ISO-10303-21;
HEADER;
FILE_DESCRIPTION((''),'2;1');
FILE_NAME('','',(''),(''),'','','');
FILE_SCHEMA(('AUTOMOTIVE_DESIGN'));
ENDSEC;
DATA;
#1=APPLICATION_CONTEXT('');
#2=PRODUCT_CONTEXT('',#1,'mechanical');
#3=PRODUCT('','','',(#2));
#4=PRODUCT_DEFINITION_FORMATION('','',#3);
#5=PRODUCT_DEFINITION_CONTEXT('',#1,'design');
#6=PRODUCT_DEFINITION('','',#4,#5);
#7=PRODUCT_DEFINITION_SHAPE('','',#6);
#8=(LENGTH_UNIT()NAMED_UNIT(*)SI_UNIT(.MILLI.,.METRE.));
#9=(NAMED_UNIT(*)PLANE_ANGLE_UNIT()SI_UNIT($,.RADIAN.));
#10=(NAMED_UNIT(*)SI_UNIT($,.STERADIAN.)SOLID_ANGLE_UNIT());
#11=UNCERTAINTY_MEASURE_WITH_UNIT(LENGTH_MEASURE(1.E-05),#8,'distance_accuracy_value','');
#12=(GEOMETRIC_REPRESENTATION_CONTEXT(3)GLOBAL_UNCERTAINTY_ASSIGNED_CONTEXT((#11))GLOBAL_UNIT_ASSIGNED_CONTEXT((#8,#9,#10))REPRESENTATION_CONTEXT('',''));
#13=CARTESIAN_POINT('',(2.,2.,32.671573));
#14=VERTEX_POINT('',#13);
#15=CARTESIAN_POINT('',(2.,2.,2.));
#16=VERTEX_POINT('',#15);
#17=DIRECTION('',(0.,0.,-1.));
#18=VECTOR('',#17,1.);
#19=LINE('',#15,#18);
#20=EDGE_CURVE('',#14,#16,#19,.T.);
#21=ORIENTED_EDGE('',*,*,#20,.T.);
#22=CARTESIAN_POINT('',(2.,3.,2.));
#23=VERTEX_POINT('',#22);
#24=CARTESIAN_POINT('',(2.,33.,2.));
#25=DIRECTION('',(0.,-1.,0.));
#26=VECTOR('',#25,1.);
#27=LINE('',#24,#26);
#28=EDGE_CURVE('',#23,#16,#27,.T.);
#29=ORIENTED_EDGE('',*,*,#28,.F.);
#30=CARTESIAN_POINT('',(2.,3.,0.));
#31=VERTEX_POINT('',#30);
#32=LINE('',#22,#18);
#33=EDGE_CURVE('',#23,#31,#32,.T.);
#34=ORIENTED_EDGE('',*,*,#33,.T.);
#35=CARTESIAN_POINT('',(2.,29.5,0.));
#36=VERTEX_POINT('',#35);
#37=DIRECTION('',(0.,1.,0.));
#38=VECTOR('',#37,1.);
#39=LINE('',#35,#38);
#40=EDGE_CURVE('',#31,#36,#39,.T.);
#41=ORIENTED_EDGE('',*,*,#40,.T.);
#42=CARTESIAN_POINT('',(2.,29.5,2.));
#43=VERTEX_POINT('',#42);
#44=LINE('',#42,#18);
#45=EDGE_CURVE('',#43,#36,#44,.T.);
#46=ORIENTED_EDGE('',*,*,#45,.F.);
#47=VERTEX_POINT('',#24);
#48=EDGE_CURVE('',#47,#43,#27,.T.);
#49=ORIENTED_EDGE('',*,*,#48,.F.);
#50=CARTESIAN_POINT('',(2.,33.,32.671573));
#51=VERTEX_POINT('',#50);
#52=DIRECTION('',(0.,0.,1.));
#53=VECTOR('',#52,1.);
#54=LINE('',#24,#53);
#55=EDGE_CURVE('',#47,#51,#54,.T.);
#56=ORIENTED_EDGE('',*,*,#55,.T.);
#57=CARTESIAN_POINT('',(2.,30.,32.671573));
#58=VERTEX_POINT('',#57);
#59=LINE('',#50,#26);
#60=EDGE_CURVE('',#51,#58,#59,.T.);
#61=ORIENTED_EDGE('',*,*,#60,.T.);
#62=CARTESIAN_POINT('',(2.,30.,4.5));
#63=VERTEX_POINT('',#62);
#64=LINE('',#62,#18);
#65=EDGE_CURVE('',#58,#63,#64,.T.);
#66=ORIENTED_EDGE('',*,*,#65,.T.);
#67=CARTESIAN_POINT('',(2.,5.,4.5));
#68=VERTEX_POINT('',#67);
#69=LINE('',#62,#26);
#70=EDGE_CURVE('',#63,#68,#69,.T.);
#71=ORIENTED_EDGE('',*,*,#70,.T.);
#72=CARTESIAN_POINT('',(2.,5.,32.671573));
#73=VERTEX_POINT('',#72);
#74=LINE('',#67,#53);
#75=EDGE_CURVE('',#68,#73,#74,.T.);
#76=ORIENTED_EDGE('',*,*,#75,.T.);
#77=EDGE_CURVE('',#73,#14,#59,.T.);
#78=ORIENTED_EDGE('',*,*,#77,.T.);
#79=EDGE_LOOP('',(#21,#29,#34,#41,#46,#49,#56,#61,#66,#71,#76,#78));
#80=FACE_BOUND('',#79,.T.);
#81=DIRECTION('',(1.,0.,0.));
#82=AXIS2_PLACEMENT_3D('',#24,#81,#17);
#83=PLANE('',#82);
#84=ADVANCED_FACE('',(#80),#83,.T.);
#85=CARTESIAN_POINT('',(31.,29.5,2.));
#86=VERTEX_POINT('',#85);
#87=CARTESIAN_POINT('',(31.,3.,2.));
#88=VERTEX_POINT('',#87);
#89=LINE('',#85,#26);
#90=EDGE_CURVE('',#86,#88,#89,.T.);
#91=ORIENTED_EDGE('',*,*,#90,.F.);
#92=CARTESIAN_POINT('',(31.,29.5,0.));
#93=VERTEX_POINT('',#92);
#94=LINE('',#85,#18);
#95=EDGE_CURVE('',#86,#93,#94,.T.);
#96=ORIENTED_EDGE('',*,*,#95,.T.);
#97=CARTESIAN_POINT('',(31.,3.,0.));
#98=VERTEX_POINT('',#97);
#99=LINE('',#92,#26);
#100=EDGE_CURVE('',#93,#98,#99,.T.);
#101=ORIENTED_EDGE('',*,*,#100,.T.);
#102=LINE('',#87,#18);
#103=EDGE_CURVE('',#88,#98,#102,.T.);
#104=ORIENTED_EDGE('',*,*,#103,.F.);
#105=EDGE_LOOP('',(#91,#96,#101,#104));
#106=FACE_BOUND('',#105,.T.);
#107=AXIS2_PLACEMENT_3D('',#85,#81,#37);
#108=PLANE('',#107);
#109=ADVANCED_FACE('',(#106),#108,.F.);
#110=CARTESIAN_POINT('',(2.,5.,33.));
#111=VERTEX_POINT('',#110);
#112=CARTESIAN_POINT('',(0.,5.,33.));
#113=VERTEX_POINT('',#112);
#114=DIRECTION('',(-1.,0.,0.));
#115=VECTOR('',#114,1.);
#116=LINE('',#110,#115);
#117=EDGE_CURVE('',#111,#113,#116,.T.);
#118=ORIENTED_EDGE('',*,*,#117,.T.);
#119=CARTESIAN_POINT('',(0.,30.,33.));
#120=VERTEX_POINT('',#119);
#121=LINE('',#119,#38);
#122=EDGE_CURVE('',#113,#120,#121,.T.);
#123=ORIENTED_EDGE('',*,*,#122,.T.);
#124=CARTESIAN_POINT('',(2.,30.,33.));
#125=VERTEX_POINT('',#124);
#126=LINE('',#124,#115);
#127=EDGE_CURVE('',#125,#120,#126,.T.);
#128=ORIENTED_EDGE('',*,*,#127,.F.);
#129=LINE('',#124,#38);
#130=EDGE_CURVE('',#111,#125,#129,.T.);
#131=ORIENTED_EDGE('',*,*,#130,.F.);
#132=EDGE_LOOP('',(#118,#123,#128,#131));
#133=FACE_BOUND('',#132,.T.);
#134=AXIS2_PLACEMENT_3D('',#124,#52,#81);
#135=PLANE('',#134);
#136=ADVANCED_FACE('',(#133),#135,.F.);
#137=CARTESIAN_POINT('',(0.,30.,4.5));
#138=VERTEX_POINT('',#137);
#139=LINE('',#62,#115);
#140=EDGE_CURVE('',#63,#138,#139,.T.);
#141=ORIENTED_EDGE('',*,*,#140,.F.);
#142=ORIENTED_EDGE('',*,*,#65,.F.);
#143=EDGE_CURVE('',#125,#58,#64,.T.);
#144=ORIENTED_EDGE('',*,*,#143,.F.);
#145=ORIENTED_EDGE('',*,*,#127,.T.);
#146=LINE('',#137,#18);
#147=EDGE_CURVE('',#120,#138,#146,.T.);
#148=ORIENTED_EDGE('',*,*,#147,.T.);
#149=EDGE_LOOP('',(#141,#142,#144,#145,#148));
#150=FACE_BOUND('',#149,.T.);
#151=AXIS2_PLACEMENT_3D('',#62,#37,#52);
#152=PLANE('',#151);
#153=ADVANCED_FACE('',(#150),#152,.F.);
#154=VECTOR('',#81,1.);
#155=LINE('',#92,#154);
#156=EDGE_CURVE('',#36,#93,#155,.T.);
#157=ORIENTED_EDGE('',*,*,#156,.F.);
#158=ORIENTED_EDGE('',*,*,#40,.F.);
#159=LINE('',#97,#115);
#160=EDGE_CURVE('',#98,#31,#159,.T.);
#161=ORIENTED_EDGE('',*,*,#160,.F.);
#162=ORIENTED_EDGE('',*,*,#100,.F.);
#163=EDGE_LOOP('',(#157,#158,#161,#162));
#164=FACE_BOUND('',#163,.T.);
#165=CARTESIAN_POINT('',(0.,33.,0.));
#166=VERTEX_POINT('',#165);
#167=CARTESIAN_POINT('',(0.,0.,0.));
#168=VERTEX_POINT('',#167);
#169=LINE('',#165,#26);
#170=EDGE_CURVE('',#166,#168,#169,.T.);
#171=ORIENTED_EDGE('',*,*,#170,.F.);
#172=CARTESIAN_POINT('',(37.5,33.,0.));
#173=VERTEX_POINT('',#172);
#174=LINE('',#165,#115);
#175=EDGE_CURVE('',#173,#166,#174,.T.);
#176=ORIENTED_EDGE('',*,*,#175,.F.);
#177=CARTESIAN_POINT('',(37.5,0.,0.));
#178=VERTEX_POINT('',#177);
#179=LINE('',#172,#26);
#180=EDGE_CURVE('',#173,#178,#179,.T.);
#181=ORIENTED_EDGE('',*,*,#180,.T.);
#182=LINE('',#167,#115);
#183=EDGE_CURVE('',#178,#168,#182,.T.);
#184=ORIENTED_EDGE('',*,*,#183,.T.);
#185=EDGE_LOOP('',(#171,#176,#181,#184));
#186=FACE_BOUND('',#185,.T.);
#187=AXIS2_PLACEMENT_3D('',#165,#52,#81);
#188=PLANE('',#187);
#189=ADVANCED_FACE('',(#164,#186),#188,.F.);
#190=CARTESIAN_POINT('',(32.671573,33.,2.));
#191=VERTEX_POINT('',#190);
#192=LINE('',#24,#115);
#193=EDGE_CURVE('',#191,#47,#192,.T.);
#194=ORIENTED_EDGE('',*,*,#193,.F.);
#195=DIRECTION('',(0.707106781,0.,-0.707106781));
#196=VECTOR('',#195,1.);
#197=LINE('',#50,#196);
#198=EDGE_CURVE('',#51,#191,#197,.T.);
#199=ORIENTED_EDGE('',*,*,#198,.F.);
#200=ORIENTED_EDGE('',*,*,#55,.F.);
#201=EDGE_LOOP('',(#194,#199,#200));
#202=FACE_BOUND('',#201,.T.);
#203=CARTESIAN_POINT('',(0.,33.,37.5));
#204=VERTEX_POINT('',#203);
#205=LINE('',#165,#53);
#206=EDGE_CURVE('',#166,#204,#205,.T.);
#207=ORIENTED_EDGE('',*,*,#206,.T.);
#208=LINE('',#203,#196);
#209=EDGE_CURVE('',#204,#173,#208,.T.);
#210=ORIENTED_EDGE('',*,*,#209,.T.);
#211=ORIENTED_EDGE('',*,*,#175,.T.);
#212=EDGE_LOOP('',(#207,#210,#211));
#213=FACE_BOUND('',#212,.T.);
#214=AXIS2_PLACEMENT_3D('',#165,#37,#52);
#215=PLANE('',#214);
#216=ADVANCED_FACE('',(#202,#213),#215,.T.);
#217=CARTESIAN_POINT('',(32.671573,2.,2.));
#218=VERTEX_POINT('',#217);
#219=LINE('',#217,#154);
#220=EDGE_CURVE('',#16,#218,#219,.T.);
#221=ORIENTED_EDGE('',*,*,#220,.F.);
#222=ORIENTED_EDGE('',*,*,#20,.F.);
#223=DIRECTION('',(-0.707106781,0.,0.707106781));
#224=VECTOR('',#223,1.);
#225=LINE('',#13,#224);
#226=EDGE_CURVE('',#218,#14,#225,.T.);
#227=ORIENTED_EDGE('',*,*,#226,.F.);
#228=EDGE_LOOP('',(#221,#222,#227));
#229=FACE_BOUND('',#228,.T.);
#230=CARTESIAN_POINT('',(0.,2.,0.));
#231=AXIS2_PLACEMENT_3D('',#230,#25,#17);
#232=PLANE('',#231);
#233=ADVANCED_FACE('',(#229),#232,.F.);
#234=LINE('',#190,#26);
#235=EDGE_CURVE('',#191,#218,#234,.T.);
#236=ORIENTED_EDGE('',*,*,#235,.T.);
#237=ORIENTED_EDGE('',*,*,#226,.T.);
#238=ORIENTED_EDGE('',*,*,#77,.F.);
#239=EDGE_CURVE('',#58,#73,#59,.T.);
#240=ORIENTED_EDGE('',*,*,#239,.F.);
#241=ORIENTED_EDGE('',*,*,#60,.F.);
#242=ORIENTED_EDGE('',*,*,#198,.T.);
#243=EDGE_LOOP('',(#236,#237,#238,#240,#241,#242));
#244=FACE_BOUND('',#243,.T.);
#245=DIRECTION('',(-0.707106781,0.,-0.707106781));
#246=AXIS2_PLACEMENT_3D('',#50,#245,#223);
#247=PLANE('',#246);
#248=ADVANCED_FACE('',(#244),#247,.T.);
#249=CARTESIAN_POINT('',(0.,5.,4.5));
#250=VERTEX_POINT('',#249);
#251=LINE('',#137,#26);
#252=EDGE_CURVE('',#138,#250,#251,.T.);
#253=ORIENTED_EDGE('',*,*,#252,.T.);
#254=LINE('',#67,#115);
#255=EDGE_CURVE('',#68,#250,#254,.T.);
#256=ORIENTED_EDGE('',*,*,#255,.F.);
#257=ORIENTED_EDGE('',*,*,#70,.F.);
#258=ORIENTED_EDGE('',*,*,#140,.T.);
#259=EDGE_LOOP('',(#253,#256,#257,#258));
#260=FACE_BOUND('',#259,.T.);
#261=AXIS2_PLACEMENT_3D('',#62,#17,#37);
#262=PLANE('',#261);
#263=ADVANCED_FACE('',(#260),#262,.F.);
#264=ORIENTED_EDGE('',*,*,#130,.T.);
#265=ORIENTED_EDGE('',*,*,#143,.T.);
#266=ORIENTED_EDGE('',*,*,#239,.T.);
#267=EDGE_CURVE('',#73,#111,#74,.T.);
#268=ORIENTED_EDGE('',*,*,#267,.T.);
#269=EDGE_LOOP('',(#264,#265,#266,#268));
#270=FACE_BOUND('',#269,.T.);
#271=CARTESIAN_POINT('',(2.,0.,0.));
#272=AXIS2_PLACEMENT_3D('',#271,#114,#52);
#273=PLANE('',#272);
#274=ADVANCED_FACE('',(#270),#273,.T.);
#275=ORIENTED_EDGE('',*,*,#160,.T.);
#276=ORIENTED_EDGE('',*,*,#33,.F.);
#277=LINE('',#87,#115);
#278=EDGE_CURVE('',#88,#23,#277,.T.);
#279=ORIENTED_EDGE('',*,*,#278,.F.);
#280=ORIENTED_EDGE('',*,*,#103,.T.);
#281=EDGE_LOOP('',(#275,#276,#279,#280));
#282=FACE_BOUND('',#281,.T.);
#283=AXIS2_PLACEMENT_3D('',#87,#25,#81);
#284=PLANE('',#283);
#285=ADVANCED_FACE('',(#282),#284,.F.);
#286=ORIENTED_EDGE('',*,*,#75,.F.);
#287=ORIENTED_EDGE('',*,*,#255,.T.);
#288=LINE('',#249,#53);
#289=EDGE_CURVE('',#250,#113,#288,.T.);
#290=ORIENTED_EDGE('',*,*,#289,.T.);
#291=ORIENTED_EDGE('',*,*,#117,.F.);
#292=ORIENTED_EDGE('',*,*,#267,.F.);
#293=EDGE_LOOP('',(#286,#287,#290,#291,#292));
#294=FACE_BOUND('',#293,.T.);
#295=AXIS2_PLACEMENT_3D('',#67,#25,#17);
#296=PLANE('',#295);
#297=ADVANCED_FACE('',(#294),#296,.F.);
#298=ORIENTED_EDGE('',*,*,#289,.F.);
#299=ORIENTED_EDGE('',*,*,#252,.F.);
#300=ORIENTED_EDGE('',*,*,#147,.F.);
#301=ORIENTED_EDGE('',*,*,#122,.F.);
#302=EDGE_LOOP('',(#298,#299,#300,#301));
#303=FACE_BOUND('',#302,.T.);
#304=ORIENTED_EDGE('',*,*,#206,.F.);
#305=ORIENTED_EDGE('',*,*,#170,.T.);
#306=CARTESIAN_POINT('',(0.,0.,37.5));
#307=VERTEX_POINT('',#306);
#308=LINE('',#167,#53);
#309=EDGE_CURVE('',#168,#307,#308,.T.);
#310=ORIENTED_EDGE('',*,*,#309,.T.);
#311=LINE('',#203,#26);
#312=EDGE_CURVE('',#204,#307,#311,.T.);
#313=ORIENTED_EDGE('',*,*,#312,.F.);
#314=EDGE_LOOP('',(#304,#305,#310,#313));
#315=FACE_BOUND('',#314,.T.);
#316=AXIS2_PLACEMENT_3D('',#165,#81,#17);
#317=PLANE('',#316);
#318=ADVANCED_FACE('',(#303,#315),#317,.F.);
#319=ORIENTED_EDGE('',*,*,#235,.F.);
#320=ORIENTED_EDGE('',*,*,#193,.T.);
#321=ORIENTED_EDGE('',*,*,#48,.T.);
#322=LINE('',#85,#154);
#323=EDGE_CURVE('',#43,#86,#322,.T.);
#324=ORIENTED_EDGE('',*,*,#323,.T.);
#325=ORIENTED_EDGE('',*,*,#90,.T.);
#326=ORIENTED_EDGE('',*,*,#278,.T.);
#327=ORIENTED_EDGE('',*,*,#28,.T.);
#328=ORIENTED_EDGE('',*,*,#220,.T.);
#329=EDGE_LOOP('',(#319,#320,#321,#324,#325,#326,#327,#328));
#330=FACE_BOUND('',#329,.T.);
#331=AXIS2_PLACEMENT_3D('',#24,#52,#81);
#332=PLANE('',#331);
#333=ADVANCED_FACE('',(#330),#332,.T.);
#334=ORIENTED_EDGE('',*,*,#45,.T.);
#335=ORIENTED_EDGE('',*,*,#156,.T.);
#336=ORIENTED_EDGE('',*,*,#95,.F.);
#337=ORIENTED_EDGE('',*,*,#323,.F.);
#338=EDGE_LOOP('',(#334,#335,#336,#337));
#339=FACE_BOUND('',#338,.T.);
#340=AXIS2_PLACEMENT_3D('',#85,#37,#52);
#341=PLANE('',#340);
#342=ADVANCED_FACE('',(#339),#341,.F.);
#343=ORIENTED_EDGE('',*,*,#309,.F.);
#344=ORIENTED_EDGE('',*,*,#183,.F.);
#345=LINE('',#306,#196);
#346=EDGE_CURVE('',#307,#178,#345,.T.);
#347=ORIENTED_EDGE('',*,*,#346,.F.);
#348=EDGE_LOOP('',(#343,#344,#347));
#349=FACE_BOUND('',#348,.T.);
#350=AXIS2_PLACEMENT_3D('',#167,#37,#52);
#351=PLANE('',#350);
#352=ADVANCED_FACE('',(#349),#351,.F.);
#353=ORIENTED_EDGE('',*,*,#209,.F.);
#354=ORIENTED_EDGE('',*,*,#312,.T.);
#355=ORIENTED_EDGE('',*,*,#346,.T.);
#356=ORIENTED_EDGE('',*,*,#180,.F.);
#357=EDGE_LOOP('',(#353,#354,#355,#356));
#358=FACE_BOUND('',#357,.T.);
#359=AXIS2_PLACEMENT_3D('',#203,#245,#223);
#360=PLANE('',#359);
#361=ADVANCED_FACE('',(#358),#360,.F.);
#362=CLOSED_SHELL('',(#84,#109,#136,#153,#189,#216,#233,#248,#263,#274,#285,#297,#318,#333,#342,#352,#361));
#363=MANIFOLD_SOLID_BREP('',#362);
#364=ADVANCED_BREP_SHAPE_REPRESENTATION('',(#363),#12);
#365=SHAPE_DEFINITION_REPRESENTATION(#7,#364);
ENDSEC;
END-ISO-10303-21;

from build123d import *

# Parameters (mm, degrees)
BOSS_EXTRUDE1_DEPTH = 33
BOSS_EXTRUDE2_DEPTH = 2
SKETCH3_W           = 29
SKETCH3_H           = 26.5
CUT_EXTRUDE1_DEPTH  = 2
SKETCH4_W           = 28.5
SKETCH4_H           = 25
CUT_EXTRUDE2_DEPTH  = 2


with BuildPart() as part:
    # Sketch1 → Boss-Extrude1 (new body)
    with BuildSketch(Plane(origin=(0, 0, 0), x_dir=(1, 0, 0), z_dir=(0, 1, 0))):
        Polygon((0, 0), (37.5, 0), (0, -37.5), align=None)
        Polygon((2, -2), (32.671572875, -2), (2, -32.671572875), align=None, mode=Mode.SUBTRACT)
    extrude(amount=BOSS_EXTRUDE1_DEPTH)

    # Sketch2 → Boss-Extrude2 (add)
    with BuildSketch(Plane.XZ):
        Polygon((2, 32.671572875), (32.671572875, 2), (2, 2), align=None)
    extrude(amount=-BOSS_EXTRUDE2_DEPTH)

    # Sketch3 → Cut-Extrude1 (cut)
    with BuildSketch(Plane(origin=(0, 0, 0), x_dir=(-1, 0, 0), z_dir=(0, 0, -1))):
        with Locations((-16.5, 16.25)):
            Rectangle(SKETCH3_W, SKETCH3_H)
    extrude(amount=-CUT_EXTRUDE1_DEPTH, mode=Mode.SUBTRACT)

    # Sketch4 → Cut-Extrude2 (cut)
    with BuildSketch(Plane.ZY):
        with Locations((18.75, 17.5)):
            Rectangle(SKETCH4_W, SKETCH4_H)
    extrude(amount=-CUT_EXTRUDE2_DEPTH, mode=Mode.SUBTRACT)


solid = part.part
